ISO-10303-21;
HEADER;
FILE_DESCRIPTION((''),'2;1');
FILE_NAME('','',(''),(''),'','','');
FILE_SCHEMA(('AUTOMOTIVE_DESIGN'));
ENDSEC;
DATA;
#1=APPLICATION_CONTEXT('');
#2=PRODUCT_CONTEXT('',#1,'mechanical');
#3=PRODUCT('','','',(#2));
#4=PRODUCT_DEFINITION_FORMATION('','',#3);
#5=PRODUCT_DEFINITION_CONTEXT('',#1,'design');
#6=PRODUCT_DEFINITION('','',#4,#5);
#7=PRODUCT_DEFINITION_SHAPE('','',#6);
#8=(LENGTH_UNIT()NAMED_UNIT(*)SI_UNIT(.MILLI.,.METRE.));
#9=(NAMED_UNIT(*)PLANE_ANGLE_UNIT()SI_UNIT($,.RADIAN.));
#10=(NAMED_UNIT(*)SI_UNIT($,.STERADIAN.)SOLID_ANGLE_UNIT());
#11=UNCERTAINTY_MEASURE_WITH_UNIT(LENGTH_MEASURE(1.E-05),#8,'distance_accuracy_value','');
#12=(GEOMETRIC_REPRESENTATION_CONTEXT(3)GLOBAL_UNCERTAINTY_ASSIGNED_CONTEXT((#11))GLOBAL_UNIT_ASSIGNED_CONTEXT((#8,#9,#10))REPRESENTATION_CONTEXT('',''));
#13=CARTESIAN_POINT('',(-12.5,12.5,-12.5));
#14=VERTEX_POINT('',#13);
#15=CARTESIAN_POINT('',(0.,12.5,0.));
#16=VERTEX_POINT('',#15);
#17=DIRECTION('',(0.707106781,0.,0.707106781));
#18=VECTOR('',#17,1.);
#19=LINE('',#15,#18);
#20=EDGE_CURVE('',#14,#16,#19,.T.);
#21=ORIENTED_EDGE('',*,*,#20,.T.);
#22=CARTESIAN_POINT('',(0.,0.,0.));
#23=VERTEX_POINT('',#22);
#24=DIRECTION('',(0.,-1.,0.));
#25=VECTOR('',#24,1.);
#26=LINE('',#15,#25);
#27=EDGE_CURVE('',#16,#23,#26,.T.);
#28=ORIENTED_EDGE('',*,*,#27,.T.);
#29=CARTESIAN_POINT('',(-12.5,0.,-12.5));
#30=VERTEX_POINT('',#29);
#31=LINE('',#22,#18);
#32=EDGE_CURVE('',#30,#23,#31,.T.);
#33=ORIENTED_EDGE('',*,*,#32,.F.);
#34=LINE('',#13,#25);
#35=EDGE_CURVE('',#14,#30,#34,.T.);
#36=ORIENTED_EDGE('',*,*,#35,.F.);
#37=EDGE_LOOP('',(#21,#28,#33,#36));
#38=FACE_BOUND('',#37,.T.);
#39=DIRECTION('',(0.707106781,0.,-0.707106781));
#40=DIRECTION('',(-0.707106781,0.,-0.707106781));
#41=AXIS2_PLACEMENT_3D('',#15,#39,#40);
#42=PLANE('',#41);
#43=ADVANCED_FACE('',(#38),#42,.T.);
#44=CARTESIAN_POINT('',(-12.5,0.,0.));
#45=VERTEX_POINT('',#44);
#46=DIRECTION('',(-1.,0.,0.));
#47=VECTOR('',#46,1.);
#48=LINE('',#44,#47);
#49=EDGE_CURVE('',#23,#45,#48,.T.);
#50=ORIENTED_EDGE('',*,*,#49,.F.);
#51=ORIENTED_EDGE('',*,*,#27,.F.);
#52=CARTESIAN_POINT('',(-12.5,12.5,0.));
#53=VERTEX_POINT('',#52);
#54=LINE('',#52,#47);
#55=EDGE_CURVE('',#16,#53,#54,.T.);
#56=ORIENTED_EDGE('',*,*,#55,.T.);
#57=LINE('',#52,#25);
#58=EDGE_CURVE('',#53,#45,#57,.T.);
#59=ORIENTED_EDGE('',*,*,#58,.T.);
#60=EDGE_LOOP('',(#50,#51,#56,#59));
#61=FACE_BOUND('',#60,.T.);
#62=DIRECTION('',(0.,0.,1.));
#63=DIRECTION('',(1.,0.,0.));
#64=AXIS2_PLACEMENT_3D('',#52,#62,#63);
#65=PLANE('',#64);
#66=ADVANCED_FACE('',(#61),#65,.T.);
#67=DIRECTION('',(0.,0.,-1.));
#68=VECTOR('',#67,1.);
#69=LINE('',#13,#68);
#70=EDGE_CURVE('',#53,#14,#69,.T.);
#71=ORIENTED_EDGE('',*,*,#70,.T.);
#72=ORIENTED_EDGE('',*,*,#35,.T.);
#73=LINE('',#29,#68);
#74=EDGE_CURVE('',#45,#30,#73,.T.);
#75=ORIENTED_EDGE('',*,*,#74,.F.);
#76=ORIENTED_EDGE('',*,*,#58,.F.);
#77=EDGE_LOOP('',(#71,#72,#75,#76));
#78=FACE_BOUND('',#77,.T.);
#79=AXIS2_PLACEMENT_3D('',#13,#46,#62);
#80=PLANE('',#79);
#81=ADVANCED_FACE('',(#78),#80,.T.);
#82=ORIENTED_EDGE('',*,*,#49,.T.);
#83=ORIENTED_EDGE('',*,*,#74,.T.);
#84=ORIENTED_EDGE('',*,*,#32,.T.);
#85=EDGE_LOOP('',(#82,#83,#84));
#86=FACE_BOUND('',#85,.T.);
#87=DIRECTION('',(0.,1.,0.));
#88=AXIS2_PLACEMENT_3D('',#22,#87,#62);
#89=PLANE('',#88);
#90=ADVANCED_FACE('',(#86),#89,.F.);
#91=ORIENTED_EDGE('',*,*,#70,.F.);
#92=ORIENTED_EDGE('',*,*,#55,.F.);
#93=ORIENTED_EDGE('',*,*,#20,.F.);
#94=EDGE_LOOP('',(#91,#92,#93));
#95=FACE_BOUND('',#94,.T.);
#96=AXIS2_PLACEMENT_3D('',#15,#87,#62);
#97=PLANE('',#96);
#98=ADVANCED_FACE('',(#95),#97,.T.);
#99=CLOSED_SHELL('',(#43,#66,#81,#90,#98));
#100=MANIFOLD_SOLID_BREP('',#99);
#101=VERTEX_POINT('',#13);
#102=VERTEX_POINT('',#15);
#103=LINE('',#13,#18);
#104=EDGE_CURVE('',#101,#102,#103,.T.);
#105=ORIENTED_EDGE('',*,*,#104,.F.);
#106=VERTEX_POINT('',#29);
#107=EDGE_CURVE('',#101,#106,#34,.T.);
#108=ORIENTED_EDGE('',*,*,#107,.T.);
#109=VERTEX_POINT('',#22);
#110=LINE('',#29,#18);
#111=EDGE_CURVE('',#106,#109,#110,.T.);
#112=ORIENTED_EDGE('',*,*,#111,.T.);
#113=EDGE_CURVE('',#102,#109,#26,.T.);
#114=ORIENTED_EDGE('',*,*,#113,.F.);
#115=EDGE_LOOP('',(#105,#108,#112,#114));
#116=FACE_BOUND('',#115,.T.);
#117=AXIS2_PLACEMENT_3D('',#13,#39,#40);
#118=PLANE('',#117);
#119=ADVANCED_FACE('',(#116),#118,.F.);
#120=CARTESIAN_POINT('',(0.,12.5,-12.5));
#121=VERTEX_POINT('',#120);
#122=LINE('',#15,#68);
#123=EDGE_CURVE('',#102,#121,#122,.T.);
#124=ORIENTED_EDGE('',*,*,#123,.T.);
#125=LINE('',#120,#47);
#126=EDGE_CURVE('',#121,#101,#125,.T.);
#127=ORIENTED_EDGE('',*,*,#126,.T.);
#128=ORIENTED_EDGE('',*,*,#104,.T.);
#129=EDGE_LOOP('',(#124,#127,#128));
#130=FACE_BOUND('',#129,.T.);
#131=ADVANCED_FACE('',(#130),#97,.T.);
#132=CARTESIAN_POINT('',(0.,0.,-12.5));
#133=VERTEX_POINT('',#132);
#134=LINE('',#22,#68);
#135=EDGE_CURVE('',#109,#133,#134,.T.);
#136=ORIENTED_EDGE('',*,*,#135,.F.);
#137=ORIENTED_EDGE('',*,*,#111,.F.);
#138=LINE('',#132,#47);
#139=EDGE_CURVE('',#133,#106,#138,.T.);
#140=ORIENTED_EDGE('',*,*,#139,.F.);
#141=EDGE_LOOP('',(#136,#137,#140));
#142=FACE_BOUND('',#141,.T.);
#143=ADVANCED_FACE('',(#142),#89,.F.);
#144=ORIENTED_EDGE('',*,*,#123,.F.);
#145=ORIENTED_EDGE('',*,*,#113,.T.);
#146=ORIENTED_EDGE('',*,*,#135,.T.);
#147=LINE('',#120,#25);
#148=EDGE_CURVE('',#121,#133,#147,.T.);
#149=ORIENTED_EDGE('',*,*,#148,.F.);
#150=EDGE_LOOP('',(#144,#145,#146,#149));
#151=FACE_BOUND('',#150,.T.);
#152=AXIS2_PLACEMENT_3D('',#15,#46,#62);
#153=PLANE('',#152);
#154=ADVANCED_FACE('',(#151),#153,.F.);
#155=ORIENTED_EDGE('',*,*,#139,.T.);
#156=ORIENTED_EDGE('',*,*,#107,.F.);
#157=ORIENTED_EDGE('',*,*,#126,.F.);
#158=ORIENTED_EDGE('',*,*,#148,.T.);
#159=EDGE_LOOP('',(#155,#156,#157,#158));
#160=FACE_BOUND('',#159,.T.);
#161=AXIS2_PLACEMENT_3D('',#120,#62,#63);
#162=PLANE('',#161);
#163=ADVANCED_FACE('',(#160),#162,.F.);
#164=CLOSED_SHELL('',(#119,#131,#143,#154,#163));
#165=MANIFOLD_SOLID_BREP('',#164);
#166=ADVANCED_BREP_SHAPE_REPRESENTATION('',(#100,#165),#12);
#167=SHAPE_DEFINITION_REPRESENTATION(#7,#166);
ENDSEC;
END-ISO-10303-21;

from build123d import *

# Parameters (mm, degrees)
EXTRUDE_1_DEPTH = 12.5
EXTRUDE_2_DEPTH = 12.5


with BuildPart() as part:
    # 草图1 → 凸台-拉伸1 (new body)
    with BuildSketch(Plane(origin=(0, 0, 0), x_dir=(1, 0, 0), z_dir=(0, 1, 0))):
        Polygon((0, 0), (0, 12.5), (-12.5, 12.5), align=None)
    extrude(amount=EXTRUDE_1_DEPTH)


with BuildPart() as body_2:
    # 草图2 → 凸台-拉伸2 (new body)
    with BuildSketch(Plane.XZ):
        Polygon((-12.5, -12.5), (-12.5, 0), (0, 0), align=None)
    extrude(amount=-EXTRUDE_2_DEPTH)


solid = Compound([part.part, body_2.part])
